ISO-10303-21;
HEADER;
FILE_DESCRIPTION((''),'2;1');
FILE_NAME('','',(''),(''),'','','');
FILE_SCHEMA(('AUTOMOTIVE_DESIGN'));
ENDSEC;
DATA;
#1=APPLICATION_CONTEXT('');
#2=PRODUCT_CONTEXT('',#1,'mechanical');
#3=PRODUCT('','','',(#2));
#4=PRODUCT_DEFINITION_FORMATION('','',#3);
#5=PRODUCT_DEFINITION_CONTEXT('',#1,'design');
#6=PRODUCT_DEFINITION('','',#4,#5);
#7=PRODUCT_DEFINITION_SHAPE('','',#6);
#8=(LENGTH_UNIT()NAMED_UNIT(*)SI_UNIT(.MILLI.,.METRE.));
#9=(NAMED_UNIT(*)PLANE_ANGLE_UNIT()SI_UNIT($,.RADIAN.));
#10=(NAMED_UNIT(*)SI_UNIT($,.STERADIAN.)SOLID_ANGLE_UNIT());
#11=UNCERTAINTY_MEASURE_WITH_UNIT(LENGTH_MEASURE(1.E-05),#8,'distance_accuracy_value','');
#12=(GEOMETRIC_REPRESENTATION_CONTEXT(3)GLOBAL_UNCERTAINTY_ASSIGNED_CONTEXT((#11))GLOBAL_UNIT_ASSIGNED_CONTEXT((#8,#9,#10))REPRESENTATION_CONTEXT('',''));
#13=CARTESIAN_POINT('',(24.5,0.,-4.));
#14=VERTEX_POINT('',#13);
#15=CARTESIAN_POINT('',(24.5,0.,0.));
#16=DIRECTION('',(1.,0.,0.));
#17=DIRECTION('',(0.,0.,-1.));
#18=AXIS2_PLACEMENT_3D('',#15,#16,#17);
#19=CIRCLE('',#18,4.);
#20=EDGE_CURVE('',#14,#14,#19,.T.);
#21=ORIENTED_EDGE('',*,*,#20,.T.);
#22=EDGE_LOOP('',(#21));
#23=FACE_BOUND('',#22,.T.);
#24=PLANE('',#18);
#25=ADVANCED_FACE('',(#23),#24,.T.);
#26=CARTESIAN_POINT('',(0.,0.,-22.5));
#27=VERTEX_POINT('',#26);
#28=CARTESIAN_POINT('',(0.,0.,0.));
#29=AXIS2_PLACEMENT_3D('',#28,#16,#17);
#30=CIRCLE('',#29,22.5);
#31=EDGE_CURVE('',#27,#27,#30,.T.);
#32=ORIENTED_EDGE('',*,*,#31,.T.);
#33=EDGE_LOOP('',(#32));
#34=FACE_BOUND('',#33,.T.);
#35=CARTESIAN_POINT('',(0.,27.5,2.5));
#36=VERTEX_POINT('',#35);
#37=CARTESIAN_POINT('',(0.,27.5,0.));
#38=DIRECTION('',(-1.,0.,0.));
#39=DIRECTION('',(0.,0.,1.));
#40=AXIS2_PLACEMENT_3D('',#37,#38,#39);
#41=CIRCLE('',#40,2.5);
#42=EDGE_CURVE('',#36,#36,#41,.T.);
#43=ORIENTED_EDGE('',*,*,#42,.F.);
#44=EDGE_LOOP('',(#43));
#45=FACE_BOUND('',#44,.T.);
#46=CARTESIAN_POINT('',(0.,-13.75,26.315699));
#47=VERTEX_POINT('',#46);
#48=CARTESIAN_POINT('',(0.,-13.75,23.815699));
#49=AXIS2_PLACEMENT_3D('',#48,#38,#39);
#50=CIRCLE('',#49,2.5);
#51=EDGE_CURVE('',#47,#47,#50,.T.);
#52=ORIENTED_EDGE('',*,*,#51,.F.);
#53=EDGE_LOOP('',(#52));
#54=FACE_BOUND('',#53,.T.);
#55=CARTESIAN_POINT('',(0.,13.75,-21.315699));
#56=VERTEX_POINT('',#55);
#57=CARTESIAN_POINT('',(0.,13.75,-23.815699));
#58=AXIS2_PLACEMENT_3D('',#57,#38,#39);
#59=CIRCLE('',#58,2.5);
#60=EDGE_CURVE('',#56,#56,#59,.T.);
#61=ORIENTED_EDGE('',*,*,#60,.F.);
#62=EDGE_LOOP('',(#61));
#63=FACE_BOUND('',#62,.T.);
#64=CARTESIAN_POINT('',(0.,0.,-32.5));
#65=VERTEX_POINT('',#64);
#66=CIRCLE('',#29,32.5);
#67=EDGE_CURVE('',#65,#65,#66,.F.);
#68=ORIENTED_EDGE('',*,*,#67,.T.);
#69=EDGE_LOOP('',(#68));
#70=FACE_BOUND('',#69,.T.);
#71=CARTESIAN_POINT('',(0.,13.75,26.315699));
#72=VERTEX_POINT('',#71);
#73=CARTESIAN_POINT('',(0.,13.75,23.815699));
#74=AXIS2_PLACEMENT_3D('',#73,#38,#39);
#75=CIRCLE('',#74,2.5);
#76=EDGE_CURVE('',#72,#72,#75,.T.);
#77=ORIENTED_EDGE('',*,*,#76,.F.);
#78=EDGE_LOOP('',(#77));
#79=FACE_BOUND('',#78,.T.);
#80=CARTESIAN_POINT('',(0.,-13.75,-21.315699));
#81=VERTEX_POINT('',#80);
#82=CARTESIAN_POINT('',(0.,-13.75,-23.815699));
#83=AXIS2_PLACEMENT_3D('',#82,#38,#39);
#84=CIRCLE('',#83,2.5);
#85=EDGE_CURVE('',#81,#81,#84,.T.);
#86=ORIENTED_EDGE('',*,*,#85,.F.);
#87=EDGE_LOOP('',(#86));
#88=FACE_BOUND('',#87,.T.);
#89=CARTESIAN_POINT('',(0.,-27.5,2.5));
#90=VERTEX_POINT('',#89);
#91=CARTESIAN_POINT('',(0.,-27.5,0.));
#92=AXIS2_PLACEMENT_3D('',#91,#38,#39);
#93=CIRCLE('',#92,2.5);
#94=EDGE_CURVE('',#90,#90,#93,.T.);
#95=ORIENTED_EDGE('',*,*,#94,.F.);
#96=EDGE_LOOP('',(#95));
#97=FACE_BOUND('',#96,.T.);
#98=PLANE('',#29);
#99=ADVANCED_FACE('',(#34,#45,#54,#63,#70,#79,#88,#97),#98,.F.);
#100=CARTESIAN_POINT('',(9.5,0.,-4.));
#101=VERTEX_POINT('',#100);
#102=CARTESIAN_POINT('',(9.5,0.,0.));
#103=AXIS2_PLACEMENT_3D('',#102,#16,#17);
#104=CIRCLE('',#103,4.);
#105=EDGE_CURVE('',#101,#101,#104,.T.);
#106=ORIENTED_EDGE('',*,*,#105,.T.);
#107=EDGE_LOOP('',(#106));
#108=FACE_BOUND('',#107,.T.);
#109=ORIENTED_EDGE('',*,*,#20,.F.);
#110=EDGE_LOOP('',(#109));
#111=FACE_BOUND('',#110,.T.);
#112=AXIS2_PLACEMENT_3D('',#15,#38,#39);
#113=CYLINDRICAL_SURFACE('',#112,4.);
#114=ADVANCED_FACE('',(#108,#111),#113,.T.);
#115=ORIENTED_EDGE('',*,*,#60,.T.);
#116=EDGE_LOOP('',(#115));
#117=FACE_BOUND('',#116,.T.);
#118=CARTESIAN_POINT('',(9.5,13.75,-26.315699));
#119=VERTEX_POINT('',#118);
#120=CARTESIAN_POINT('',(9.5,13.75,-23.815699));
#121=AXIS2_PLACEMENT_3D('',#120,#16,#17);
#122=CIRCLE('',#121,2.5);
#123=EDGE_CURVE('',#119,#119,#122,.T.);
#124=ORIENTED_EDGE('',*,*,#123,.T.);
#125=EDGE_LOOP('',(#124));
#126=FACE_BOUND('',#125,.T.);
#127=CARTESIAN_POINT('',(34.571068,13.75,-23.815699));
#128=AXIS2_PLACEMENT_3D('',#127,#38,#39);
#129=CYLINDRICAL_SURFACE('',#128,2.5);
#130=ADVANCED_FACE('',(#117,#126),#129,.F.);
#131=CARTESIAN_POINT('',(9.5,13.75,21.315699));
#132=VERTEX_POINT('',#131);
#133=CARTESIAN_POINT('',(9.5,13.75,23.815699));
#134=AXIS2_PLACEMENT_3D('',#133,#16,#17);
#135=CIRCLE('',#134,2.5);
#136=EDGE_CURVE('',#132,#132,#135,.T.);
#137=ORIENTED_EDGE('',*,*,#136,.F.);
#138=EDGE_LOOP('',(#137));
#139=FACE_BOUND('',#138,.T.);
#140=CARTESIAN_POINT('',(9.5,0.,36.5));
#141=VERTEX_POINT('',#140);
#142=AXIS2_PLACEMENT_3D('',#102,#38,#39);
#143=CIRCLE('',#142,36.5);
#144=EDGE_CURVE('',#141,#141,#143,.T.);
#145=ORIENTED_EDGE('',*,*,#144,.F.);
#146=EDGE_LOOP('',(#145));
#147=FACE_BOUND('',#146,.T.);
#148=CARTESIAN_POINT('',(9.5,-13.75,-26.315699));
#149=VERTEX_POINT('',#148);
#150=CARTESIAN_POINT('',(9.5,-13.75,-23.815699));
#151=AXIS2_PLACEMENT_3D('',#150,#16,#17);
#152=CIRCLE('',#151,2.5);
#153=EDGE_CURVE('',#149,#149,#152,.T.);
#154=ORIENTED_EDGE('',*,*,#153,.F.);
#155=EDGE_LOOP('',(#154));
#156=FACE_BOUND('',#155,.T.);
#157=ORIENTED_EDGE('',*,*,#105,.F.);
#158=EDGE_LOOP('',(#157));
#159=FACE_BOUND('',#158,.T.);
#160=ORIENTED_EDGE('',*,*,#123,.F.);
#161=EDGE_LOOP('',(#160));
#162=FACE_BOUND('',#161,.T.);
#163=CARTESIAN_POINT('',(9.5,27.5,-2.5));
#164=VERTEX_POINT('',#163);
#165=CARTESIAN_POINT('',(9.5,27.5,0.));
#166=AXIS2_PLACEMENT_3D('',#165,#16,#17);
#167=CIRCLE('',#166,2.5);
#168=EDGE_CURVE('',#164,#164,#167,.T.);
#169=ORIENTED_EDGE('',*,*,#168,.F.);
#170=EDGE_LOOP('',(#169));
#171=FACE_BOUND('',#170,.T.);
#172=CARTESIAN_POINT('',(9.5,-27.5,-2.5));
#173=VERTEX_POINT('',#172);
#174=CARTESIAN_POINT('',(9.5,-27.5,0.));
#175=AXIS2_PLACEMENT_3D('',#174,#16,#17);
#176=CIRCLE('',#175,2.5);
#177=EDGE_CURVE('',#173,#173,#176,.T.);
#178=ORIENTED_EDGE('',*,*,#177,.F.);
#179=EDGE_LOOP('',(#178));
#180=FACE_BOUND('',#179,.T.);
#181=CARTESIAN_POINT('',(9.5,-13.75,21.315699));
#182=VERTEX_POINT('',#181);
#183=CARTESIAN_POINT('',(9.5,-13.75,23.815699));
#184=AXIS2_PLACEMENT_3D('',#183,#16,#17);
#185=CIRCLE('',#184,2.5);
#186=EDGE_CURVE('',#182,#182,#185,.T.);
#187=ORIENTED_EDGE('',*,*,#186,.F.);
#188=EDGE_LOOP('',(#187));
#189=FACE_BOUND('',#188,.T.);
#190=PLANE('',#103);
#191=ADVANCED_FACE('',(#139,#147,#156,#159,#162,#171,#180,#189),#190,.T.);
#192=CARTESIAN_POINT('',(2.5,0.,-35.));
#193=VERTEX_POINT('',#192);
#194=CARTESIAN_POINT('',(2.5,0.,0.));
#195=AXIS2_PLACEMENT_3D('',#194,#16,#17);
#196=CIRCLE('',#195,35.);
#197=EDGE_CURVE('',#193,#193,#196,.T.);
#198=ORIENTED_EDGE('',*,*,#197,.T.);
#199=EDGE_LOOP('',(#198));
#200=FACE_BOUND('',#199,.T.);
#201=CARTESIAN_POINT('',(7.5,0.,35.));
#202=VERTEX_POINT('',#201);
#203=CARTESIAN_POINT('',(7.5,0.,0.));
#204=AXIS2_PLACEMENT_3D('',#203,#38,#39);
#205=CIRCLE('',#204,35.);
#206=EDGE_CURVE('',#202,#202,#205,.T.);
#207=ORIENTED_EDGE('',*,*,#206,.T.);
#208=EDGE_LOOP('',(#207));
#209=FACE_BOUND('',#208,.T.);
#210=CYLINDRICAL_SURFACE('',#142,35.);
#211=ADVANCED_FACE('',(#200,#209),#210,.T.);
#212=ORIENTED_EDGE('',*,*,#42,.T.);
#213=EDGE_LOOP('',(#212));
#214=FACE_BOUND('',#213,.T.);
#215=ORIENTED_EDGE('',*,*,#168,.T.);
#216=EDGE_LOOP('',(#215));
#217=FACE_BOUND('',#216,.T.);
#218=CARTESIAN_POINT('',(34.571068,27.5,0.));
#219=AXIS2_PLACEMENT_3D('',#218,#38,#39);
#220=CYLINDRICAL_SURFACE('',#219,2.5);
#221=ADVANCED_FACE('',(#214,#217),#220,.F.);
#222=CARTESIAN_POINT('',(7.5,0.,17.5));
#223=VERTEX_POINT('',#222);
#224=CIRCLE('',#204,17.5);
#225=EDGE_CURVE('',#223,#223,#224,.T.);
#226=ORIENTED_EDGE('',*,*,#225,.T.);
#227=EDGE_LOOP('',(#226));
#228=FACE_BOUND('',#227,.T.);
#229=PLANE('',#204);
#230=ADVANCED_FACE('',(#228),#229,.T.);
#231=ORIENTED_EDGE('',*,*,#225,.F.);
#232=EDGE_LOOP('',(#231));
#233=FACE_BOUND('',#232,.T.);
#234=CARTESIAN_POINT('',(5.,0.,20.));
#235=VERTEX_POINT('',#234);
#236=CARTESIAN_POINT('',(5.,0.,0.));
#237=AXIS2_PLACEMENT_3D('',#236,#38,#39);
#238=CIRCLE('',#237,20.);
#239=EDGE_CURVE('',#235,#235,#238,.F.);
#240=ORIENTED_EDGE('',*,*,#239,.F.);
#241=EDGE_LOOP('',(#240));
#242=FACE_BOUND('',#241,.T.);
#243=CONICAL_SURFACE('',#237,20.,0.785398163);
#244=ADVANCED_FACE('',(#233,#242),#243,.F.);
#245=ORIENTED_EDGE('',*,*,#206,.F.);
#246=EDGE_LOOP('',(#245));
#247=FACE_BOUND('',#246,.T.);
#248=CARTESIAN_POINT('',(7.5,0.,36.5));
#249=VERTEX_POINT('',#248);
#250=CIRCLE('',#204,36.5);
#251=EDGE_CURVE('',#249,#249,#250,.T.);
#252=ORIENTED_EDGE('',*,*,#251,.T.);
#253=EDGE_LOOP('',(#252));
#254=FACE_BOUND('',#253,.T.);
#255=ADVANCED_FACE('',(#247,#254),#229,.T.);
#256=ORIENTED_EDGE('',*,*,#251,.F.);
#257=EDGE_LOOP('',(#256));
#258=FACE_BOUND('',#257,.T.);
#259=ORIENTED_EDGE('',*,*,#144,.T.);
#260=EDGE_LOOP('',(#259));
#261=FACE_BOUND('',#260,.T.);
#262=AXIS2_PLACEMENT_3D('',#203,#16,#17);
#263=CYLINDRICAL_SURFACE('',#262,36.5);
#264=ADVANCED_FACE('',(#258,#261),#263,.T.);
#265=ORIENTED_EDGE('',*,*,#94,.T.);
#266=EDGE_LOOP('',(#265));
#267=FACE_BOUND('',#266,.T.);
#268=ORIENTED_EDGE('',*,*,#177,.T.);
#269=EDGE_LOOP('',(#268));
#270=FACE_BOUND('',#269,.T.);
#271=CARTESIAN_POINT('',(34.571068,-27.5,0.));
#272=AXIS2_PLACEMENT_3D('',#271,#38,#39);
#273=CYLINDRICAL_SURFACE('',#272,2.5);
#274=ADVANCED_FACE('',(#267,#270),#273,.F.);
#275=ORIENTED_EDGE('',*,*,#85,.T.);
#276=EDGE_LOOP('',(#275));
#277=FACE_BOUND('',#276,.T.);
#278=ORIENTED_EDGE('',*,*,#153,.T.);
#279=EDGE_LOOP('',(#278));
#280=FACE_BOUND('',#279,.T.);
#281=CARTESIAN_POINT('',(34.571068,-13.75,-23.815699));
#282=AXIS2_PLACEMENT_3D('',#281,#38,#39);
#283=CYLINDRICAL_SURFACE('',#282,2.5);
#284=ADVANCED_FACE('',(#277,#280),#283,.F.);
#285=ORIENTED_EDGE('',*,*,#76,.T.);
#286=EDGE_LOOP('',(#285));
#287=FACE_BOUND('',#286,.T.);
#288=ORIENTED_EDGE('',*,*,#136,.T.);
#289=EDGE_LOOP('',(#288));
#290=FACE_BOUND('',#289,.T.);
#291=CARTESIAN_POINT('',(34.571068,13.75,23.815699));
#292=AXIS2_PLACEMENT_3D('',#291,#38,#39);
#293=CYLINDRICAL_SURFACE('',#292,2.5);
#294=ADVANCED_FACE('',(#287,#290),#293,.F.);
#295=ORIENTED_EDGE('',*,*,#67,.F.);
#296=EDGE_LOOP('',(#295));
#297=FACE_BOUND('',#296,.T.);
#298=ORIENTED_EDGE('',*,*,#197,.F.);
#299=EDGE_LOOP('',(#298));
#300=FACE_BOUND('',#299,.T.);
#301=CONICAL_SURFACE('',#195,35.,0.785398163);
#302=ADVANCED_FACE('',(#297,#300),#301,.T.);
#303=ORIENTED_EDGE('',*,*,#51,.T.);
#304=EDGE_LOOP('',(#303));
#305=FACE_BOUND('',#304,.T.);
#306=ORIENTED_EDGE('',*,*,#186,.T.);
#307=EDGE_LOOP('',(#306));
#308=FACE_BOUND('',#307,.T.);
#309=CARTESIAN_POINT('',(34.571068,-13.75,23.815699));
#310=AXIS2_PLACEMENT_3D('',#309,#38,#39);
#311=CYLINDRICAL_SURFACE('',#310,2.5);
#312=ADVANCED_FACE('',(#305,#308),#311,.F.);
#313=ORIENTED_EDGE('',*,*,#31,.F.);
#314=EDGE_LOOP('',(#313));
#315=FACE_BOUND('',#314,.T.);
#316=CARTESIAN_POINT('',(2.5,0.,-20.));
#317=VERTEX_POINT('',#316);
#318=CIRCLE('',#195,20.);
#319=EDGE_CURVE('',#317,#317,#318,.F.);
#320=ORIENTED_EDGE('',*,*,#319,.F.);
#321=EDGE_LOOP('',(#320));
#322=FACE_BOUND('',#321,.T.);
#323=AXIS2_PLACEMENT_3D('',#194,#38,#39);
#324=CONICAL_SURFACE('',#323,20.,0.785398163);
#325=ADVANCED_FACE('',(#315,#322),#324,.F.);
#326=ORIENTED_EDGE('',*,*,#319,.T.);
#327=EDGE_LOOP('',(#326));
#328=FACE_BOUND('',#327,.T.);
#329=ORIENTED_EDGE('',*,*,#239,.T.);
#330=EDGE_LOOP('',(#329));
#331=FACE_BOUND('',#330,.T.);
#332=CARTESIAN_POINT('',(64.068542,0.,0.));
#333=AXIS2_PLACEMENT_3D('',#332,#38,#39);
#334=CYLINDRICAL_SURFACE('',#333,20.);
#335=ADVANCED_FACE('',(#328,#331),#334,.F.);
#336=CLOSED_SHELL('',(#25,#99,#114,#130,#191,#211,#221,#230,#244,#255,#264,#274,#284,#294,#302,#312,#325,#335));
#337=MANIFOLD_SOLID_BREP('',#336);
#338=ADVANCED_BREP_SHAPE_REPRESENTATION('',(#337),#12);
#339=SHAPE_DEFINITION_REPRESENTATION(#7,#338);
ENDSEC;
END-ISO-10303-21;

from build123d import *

# Parameters (mm, degrees)
SKETCH1_R           = 35
BOSS_EXTRUDE1_DEPTH = 9.5
SKETCH2_R           = 4
BOSS_EXTRUDE2_DEPTH = 15
SKETCH3_R           = 36.5
BOSS_EXTRUDE3_DEPTH = 2
SKETCH4_R           = 2.5
CUT_EXTRUDE1_DEPTH  = 17.5
SKETCH5_R           = 20
CUT_EXTRUDE2_DEPTH  = 7.5
CHAMFER1_SIZE       = 2.5


with BuildPart() as part:
    # Sketch1 → Boss-Extrude1 (new body)
    with BuildSketch(Plane(origin=(0, 0, 0), x_dir=(0, 0, -1), z_dir=(1, 0, 0))):
        Circle(SKETCH1_R)
    extrude(amount=BOSS_EXTRUDE1_DEPTH)

    # Sketch2 → Boss-Extrude2 (add)
    with BuildSketch(Plane(origin=(9.5, 0, 0), x_dir=(0, 0, -1), z_dir=(1, 0, 0))):
        Circle(SKETCH2_R)
    extrude(amount=BOSS_EXTRUDE2_DEPTH)

    # Sketch3 → Boss-Extrude3 (add)
    with BuildSketch(Plane.ZY.offset(-9.5)):
        Circle(SKETCH3_R)
    extrude(amount=BOSS_EXTRUDE3_DEPTH)

    # Sketch4 → Cut-Extrude1 (cut)
    with BuildSketch(Plane.ZY):
        with Locations((0, 27.5)):
            Circle(SKETCH4_R)
        with Locations((23.815698604, 13.75)):
            Circle(SKETCH4_R)
        with Locations((23.815698604, -13.75)):
            Circle(SKETCH4_R)
        with Locations((0, -27.5)):
            Circle(SKETCH4_R)
        with Locations((-23.815698604, -13.75)):
            Circle(SKETCH4_R)
        with Locations((-23.815698604, 13.75)):
            Circle(SKETCH4_R)
    extrude(amount=-CUT_EXTRUDE1_DEPTH, mode=Mode.SUBTRACT)

    # Sketch5 → Cut-Extrude2 (cut)
    with BuildSketch(Plane.ZY):
        Circle(SKETCH5_R)
    extrude(amount=-CUT_EXTRUDE2_DEPTH, mode=Mode.SUBTRACT)

    # Chamfer1
    chamfer1_edges = [part.edges().sort_by_distance(p)[0] for p in [
        (0, 0, 35),
        (0, 0, -20),
        (7.5, 0, -20),
    ]]
    chamfer(chamfer1_edges, length=CHAMFER1_SIZE)


solid = part.part
